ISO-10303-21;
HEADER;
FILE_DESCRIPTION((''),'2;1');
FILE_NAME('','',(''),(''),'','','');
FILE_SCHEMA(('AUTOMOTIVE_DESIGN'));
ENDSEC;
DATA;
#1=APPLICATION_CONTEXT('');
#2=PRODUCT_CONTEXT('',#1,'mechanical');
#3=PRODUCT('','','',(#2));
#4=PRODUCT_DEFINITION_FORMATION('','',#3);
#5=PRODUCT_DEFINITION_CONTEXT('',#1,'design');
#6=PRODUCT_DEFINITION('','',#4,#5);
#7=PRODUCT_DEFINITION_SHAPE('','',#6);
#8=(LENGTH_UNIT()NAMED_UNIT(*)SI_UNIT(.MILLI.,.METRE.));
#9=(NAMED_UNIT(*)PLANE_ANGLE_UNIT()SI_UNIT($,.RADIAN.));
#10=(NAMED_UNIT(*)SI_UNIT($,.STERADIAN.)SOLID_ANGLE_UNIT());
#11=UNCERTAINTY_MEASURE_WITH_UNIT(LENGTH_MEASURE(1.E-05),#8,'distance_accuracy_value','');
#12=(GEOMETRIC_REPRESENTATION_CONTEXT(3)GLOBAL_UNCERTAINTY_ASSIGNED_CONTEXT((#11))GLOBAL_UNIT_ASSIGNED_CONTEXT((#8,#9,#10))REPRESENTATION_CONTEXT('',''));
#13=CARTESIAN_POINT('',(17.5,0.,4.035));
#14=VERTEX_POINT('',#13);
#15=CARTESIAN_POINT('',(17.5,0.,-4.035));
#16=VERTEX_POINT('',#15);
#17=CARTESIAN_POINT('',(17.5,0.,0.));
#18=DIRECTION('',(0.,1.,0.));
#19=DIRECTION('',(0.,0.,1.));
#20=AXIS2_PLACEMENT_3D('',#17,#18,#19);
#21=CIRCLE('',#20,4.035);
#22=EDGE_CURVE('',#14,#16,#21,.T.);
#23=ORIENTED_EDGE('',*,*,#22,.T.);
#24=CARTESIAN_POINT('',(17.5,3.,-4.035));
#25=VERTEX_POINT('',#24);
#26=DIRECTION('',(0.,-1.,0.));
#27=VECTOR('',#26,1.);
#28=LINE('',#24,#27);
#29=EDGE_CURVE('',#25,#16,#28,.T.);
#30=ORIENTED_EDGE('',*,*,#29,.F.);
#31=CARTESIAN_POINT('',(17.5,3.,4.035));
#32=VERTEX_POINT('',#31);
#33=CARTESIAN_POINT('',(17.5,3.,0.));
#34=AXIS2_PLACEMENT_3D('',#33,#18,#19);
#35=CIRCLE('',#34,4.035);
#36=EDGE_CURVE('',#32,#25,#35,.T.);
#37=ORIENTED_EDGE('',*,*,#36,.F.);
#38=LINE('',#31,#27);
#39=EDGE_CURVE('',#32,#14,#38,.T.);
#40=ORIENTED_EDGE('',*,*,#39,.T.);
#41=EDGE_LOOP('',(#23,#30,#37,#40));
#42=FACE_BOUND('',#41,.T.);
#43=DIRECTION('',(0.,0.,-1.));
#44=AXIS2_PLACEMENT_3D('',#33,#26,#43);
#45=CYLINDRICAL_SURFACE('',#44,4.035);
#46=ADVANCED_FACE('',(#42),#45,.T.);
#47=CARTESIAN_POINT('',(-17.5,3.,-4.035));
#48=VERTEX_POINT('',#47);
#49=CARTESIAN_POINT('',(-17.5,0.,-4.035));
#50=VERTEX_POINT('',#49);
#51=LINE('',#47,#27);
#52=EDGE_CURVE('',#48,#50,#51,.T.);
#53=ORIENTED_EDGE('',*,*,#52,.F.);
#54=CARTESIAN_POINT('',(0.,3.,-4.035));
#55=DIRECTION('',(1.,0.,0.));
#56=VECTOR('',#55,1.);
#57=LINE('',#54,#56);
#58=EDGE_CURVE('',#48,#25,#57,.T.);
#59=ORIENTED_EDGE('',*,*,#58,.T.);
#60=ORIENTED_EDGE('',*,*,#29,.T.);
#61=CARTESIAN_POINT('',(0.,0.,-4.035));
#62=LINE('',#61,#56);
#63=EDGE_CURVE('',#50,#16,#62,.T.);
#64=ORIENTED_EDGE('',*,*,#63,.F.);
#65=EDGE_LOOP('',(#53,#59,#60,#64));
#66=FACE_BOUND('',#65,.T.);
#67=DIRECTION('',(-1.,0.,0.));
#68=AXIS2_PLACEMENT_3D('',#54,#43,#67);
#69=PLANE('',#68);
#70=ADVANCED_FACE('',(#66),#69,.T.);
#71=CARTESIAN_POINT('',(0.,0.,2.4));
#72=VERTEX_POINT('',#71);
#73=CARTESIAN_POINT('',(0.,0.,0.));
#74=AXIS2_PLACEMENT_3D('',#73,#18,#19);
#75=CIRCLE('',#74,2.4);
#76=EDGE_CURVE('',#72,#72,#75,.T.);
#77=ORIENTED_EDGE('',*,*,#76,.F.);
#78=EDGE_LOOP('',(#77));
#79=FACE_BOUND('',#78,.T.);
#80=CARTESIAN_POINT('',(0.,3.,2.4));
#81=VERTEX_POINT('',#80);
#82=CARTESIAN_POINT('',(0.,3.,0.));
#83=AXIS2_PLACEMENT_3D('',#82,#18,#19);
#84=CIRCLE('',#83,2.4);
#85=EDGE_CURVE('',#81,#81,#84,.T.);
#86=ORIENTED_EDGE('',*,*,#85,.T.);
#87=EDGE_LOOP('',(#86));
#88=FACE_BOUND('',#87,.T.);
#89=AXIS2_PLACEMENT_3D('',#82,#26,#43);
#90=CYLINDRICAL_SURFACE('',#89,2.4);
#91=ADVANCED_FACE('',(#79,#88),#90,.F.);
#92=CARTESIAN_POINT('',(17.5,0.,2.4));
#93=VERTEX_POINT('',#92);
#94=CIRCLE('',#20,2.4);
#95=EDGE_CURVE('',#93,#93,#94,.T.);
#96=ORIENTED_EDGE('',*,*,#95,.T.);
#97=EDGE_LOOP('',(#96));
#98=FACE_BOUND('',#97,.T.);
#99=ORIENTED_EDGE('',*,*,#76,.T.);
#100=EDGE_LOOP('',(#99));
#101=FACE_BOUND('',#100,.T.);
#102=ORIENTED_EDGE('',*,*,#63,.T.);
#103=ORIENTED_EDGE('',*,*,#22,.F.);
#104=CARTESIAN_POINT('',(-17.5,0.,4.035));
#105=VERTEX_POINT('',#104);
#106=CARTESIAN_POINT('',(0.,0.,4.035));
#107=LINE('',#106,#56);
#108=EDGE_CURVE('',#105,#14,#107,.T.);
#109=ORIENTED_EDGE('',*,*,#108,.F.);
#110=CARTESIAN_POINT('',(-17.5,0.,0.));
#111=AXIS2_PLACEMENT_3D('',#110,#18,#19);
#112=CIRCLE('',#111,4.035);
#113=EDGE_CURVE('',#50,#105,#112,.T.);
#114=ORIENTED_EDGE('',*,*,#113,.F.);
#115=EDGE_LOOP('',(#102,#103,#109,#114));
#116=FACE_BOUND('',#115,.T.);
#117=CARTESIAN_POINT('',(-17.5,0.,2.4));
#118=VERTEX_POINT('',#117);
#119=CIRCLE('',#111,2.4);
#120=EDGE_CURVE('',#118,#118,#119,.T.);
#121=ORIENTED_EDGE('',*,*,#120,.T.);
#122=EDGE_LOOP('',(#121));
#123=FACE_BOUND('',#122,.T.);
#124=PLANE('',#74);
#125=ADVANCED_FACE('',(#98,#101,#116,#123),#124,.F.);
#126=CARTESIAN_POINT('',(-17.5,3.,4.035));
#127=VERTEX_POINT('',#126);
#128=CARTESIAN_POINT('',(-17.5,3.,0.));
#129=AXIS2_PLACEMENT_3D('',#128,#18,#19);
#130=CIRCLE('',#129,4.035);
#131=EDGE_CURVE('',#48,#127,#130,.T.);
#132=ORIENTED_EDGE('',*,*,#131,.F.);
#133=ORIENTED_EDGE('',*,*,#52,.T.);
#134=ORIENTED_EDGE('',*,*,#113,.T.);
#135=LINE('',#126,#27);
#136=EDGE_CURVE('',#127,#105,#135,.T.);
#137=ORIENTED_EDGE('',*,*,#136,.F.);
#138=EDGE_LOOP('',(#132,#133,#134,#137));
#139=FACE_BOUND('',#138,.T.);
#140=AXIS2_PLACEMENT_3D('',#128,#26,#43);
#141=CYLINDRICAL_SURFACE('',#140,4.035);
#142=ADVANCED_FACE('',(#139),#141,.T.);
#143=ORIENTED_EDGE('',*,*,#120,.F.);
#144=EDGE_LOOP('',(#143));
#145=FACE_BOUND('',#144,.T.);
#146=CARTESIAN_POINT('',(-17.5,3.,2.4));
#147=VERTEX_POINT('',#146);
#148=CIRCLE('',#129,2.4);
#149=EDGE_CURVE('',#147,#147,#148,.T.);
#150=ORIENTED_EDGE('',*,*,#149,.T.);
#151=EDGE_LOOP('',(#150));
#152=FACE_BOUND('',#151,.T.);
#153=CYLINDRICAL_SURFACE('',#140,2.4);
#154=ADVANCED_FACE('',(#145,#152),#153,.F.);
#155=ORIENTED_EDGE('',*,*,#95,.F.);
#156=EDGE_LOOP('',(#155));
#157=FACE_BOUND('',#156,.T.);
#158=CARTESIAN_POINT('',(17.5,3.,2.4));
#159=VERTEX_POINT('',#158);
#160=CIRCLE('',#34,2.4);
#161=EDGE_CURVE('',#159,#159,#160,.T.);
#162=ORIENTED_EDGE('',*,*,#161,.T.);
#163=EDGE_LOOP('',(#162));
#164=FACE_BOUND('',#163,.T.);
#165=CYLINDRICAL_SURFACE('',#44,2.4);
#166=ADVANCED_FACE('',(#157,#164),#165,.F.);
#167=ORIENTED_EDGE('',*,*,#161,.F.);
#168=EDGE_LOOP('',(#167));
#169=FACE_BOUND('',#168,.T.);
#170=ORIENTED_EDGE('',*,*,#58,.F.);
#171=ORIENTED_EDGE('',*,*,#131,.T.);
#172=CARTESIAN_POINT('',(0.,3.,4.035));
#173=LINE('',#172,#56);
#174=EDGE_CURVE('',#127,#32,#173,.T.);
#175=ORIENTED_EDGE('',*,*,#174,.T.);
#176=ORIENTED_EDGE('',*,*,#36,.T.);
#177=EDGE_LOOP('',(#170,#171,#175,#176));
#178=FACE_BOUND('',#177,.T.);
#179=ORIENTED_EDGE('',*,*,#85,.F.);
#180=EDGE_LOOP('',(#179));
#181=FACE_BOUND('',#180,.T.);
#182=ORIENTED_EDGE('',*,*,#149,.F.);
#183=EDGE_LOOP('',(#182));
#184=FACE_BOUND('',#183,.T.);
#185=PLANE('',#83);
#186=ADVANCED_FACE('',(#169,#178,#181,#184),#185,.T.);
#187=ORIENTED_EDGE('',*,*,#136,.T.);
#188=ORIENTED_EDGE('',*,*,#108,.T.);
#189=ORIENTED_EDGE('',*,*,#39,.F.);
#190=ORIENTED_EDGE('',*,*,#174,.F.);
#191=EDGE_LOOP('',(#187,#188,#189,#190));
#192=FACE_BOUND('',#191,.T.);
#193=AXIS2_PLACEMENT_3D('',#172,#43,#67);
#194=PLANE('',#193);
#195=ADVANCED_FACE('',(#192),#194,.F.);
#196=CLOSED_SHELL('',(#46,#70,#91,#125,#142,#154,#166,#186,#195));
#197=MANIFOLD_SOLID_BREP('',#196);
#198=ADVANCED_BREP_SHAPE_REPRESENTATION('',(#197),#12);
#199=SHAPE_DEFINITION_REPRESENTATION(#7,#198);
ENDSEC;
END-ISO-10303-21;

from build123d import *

# Parameters (mm, degrees)
SKETCH1_R           = 2.4
BOSS_EXTRUDE2_DEPTH = 3


with BuildPart() as part:
    # Sketch1 → Boss-Extrude2 (new body)
    with BuildSketch(Plane(origin=(0, 0, 0), x_dir=(1, 0, 0), z_dir=(0, 1, 0))):
        with BuildLine():
            Line((-17.5, 4.035), (17.5, 4.035))
            ThreePointArc((17.5, 4.035), (21.535, 0), (17.5, -4.035))
            Line((17.5, -4.035), (-17.5, -4.035))
            ThreePointArc((-17.5, -4.035), (-21.535, 0), (-17.5, 4.035))
        make_face()
        with Locations(Location((-17.5, 0, 0), (0, 0, 270))):
            Circle(SKETCH1_R, mode=Mode.SUBTRACT)
        with Locations(Location((17.5, 0, 0), (0, 0, 270))):
            Circle(SKETCH1_R, mode=Mode.SUBTRACT)
        with Locations(Location((0, 0, 0), (0, 0, 270))):
            Circle(SKETCH1_R, mode=Mode.SUBTRACT)
    extrude(amount=BOSS_EXTRUDE2_DEPTH)


solid = part.part
